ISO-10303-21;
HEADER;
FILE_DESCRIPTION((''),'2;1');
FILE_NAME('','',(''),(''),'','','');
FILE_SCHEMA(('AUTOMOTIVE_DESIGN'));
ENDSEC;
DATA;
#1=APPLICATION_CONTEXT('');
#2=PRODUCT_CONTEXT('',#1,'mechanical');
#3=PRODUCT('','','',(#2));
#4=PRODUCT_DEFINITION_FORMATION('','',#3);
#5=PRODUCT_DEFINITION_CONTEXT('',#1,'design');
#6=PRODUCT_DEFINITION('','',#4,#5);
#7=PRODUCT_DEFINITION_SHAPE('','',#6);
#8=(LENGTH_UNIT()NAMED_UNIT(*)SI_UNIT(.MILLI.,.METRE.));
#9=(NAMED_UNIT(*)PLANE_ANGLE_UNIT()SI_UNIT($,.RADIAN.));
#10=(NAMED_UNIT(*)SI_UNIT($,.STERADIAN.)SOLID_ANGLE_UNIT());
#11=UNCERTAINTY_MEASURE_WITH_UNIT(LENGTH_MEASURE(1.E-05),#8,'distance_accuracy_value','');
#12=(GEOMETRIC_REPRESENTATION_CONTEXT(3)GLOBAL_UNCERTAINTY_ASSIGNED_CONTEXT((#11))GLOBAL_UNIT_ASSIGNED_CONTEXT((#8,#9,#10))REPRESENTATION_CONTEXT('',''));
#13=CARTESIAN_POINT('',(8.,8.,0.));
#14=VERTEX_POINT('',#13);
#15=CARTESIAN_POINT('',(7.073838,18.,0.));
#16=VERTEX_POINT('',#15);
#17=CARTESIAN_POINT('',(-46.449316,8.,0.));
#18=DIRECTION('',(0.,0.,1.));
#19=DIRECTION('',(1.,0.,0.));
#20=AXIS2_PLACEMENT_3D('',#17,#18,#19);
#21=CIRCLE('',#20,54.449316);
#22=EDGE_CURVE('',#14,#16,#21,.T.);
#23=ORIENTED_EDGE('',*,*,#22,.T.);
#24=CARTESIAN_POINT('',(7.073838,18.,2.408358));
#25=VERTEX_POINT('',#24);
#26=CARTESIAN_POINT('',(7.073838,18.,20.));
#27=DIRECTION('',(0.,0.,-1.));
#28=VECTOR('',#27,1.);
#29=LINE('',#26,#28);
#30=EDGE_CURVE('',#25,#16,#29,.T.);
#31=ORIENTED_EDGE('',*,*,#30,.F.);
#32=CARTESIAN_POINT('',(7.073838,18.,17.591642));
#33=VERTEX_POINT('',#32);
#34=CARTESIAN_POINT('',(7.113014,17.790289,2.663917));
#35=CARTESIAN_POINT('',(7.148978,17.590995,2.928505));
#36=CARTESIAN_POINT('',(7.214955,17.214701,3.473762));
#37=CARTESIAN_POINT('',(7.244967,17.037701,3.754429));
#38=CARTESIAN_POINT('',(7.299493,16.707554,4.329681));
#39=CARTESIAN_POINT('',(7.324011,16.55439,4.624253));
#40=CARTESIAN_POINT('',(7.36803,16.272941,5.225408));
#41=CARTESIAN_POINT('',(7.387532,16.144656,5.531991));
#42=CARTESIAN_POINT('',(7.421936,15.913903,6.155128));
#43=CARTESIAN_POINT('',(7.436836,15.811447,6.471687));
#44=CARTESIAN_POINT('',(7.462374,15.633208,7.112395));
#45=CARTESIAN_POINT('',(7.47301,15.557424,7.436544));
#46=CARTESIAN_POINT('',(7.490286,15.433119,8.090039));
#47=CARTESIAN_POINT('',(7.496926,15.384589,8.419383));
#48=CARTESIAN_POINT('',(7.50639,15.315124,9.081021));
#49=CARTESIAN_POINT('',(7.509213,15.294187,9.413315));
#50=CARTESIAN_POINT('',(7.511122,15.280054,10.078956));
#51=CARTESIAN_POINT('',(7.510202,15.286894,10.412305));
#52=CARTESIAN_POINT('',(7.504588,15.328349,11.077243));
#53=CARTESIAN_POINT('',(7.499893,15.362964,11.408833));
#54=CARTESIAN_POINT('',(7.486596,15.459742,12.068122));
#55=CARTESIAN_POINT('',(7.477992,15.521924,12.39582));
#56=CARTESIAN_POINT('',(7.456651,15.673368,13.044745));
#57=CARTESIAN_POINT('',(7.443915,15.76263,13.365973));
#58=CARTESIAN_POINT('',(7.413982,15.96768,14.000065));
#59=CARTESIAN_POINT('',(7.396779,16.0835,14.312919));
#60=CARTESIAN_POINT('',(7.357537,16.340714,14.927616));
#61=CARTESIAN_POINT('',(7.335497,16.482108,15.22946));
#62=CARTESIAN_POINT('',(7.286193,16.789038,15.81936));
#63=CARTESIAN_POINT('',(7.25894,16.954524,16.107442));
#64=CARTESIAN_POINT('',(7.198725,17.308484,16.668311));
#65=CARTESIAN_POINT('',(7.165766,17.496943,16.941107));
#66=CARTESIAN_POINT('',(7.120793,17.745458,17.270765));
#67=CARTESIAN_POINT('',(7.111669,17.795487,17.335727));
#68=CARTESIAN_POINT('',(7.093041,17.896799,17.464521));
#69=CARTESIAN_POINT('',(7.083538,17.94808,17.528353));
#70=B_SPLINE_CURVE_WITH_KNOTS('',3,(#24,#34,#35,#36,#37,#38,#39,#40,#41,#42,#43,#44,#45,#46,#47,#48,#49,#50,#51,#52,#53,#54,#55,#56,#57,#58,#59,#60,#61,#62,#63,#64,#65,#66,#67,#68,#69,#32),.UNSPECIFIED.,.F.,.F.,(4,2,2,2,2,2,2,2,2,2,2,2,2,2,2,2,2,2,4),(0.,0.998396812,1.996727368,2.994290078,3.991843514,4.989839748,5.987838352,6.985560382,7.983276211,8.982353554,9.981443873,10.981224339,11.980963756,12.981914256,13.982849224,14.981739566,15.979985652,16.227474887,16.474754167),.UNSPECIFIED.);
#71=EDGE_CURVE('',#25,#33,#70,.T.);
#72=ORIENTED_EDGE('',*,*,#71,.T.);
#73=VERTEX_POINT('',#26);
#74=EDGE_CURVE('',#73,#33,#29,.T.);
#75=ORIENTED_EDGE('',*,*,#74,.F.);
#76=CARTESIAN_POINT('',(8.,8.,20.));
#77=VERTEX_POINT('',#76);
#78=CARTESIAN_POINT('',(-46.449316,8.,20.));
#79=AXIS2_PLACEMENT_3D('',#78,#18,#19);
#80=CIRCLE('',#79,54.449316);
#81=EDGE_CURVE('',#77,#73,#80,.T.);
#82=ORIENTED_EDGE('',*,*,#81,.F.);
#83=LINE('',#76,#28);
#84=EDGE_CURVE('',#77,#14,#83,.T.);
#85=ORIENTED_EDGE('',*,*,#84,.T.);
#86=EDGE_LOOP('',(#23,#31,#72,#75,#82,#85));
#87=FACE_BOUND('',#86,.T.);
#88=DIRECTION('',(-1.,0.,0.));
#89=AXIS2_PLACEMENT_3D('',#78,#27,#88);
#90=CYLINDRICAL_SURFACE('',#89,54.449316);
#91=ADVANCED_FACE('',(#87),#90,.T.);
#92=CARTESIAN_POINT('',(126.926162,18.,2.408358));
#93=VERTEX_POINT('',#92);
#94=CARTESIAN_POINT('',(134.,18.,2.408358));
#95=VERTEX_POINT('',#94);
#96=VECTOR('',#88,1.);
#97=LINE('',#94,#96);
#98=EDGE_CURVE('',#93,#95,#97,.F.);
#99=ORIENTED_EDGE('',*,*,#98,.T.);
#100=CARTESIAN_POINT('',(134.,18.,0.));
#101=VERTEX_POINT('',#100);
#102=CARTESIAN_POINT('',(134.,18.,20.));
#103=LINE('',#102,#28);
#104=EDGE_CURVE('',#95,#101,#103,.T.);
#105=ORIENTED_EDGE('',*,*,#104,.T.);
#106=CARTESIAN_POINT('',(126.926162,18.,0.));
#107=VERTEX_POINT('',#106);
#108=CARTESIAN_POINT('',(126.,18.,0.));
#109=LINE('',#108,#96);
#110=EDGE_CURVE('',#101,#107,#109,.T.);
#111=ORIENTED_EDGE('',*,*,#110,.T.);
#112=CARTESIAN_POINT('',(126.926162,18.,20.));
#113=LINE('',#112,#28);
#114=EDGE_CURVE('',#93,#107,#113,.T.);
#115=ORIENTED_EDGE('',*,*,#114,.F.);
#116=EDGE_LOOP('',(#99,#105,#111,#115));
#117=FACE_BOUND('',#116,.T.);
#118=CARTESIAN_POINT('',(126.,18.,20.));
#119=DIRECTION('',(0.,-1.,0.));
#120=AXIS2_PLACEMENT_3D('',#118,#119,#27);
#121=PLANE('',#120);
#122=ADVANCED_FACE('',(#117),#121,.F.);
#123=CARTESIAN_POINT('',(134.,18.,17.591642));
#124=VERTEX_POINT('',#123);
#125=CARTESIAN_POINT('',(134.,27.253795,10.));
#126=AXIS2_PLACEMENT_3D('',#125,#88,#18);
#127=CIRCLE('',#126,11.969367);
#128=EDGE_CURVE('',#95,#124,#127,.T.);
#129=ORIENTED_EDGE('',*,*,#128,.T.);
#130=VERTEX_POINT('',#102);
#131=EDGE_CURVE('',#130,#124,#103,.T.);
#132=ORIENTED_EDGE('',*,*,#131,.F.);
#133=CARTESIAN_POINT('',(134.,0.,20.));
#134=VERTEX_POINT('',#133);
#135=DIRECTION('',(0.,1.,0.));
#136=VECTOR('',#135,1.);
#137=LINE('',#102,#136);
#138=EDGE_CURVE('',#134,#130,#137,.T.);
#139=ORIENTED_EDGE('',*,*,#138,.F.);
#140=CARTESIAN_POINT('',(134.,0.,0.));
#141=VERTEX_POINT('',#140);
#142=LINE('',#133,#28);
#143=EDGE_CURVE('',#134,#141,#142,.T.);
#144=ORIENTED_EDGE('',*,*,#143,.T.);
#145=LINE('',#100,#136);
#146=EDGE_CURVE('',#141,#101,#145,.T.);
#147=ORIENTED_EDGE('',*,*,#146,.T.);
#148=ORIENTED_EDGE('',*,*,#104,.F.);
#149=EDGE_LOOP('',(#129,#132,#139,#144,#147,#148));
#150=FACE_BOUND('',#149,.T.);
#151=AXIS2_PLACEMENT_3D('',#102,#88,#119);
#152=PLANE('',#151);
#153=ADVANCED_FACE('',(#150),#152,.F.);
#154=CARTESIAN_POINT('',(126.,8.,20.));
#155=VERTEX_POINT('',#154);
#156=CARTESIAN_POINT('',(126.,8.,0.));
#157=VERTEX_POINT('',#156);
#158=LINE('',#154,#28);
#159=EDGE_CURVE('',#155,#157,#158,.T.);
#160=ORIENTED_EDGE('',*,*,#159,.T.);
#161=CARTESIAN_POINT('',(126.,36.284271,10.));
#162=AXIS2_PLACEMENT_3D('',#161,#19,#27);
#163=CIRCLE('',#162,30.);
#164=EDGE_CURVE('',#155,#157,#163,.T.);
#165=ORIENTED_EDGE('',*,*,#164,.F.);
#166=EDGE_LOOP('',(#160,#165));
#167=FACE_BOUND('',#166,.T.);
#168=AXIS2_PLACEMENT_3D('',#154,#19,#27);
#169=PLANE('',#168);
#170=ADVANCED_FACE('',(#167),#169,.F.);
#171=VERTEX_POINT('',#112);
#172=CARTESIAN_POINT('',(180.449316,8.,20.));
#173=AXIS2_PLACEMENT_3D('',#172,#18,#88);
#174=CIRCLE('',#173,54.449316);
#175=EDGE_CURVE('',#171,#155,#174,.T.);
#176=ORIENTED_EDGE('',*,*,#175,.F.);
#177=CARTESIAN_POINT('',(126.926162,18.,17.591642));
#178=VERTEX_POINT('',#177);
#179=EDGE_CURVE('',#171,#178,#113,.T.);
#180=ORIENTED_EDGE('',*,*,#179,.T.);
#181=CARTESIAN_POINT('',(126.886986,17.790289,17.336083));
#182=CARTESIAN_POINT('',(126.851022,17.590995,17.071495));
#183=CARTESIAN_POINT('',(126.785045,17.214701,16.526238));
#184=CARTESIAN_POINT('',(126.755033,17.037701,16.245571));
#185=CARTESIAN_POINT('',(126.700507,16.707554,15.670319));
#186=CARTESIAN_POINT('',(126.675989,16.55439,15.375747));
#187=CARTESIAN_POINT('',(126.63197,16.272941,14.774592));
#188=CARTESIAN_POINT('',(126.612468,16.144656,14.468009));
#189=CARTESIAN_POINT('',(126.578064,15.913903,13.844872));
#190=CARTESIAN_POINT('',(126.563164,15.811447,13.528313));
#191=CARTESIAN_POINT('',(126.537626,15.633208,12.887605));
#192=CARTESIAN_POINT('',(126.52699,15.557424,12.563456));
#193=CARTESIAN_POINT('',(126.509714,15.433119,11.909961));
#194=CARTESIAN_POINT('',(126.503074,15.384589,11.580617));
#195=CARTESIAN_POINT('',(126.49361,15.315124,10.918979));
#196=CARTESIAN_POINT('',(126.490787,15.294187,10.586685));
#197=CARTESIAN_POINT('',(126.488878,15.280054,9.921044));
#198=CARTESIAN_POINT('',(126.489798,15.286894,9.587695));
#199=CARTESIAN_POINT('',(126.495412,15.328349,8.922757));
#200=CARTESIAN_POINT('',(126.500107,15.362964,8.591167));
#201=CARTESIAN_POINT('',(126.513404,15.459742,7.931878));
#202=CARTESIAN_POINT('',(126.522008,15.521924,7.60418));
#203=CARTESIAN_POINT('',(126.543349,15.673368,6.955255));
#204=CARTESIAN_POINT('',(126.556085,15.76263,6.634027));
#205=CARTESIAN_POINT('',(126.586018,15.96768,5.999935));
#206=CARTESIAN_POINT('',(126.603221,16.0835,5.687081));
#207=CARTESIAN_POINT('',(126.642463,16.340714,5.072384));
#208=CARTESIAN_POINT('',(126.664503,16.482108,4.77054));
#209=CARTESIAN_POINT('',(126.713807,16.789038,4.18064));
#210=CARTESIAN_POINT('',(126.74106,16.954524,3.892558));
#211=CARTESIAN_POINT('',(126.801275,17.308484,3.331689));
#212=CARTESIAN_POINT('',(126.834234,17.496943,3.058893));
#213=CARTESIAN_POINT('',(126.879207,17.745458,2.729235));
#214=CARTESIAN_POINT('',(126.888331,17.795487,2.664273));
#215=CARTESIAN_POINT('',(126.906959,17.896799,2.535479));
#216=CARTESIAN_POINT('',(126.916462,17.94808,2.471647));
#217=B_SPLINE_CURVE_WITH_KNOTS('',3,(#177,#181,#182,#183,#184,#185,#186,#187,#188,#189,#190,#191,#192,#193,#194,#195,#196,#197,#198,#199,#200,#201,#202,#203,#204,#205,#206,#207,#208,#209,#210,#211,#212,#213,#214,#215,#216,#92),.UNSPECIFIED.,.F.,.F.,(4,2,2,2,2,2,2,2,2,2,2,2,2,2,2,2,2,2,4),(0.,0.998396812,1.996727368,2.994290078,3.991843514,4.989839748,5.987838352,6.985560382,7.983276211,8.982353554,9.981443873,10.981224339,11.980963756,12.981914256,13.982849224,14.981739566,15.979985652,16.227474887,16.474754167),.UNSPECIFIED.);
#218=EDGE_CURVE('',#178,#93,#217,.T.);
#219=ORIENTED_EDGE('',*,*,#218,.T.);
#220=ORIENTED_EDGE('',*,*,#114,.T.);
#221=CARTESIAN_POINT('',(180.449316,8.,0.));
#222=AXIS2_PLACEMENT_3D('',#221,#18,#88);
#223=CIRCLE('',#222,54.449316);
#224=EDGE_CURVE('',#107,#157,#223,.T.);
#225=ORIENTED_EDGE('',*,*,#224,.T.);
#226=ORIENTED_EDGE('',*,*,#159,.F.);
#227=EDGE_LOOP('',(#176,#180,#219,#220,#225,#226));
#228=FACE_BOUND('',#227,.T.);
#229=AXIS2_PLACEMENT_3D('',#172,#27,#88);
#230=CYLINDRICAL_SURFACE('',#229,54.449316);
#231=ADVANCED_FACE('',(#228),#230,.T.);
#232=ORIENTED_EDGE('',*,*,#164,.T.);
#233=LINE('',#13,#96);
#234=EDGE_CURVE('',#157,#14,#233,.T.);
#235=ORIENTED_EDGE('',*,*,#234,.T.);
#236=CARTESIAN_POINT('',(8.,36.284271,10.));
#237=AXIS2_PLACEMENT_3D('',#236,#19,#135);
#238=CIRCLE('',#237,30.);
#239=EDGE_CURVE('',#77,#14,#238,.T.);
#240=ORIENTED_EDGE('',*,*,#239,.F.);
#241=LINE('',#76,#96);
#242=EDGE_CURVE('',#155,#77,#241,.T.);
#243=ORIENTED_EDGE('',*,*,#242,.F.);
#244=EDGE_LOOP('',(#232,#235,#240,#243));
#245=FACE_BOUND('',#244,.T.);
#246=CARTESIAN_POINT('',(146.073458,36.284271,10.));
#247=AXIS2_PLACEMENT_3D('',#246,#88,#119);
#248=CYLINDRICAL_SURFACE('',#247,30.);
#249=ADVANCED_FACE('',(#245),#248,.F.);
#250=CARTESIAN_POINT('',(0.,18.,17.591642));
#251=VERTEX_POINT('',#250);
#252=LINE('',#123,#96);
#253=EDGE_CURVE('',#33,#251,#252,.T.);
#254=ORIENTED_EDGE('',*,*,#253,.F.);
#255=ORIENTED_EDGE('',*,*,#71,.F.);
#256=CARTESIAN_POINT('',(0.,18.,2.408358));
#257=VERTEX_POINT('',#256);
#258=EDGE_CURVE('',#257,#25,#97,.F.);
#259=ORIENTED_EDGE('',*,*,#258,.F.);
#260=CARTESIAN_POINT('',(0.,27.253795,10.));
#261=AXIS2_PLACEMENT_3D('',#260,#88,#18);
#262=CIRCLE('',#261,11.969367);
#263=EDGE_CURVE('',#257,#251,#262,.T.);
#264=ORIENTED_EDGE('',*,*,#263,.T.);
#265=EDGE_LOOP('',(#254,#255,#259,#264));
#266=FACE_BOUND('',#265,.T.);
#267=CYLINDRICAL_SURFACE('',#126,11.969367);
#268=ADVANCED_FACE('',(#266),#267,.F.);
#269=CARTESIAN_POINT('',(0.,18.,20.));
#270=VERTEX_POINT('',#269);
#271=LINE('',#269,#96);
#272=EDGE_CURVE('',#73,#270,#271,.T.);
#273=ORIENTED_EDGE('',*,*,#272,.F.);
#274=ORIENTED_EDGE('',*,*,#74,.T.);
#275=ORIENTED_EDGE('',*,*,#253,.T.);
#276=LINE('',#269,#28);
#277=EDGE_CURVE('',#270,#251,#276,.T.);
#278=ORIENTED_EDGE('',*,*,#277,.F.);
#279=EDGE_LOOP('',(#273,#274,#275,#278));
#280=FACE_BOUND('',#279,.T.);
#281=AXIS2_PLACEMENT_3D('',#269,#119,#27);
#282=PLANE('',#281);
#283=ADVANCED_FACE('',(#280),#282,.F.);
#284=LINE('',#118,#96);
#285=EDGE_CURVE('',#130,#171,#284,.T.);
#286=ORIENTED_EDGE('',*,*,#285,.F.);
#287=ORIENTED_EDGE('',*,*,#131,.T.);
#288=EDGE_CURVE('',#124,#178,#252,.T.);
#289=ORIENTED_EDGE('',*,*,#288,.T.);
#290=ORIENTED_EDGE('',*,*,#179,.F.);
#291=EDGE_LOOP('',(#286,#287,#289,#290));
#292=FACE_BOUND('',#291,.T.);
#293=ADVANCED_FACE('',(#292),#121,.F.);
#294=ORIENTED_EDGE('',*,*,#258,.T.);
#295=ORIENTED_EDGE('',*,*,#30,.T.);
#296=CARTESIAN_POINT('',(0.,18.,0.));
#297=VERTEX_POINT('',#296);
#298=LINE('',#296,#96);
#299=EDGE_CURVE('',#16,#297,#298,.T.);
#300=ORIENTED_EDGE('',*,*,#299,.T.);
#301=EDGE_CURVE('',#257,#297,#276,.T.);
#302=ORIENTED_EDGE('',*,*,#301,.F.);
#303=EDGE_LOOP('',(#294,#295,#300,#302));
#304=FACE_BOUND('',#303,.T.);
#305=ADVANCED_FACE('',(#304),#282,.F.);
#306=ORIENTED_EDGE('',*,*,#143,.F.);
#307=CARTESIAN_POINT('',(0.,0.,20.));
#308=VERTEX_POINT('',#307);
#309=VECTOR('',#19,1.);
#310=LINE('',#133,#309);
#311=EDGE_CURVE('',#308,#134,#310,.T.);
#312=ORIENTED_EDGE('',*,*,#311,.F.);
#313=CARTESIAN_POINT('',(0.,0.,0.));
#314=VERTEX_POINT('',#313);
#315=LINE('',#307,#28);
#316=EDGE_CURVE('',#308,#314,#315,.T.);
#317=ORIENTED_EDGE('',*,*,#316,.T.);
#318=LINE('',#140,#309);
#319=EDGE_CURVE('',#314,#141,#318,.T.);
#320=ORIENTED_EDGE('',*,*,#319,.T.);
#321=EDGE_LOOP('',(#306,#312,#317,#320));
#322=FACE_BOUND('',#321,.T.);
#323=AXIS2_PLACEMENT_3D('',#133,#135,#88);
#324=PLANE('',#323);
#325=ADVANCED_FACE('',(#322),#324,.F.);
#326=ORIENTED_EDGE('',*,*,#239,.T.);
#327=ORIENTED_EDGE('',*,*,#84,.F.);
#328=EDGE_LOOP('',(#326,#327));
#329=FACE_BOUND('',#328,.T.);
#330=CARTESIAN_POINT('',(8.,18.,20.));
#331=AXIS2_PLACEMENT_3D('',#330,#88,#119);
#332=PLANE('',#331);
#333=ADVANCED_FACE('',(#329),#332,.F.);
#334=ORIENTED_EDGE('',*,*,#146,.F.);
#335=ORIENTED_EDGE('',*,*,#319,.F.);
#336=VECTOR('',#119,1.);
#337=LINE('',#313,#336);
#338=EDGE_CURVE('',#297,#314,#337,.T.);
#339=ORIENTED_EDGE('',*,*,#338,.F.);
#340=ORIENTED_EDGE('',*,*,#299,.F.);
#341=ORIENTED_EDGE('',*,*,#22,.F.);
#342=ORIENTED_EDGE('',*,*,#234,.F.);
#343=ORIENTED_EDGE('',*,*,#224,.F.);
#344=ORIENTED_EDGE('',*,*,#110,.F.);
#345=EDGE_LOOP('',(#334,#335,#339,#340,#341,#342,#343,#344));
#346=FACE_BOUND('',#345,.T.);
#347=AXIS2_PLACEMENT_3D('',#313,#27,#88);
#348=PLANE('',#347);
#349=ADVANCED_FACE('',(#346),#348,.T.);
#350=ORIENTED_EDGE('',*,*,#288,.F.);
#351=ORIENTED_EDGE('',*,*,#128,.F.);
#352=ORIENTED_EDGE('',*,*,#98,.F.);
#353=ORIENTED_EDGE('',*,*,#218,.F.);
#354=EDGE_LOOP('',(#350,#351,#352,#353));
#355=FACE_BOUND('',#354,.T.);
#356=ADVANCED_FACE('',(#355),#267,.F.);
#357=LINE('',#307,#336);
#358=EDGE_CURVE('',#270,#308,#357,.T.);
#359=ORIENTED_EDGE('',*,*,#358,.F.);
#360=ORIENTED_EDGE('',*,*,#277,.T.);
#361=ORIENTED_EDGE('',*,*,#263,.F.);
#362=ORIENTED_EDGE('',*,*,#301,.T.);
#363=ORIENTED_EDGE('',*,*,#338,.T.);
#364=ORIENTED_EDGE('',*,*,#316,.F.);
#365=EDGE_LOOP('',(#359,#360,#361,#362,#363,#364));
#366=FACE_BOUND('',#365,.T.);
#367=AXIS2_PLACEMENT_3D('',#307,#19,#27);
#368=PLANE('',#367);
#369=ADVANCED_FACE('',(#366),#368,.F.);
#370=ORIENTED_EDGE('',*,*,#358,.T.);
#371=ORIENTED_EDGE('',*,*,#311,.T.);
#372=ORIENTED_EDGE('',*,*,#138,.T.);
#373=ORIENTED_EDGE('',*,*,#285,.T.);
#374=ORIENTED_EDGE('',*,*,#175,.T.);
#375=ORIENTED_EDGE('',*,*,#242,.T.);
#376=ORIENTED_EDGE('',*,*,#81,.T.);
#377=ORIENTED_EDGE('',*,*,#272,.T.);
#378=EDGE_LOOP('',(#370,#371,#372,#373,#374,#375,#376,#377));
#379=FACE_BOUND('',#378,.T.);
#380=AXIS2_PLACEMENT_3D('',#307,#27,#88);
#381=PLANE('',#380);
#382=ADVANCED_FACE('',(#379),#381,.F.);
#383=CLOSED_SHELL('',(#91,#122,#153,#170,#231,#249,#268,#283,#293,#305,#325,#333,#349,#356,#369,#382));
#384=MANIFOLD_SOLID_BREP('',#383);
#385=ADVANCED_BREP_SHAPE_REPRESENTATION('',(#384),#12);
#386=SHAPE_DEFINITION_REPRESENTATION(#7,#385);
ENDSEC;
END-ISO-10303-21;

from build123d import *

# Parameters (mm, degrees)
RESSALTO_EXTRUS_O1_DEPTH = 20
CORTE_EXTRUS_O1_DEPTH    = 118
CORTE_EXTRUS_O2_DEPTH    = 137.674796506
ESBO_O4_R                = 11.969366969
CORTE_EXTRUS_O3_DEPTH    = 137.674796506


with BuildPart() as part:
    # Esboço1 → Ressalto-extrusão1 (new body)
    with BuildSketch(Plane.XY):
        Polygon((0, 0), (0, 18), (8, 18), (8, 8), (126, 8), (126, 18), (134, 18), (134, 0), align=None)
    extrude(amount=RESSALTO_EXTRUS_O1_DEPTH)

    # Esboço2 → Corte-extrusão1 (cut)
    with BuildSketch(Plane(origin=(8, 0, 0), x_dir=(0, 0, -1), z_dir=(1, 0, 0))):
        with BuildLine():
            Line((-20, 8), (0, 8))
            ThreePointArc((0, 8), (-10, 6.284271247), (-20, 8))
        make_face()
    extrude(amount=CORTE_EXTRUS_O1_DEPTH, mode=Mode.SUBTRACT)

    # Esboço3 → Corte-extrusão2 (cut, through all)
    with BuildSketch(Plane(origin=(0, 0, 0), x_dir=(-1, 0, 0), z_dir=(0, 0, -1))):
        with BuildLine():
            Line((-8, 18), (-7.073837994, 18))
            ThreePointArc((-7.073837994, 18), (-7.767965092, 13.021398611), (-8, 8))
            Line((-8, 8), (-8, 18))
        make_face()
        with BuildLine():
            Line((-126, 8), (-126, 18))
            Line((-126, 18), (-126.926162006, 18))
            ThreePointArc((-126.926162006, 18), (-126.232034908, 13.021398611), (-126, 8))
        make_face()
    extrude(amount=-CORTE_EXTRUS_O2_DEPTH, mode=Mode.SUBTRACT)

    # Esboço4 → Corte-extrusão3 (cut, through all)
    with BuildSketch(Plane.ZY):
        with Locations((10, 27.253795072)):
            Circle(ESBO_O4_R)
    extrude(amount=-CORTE_EXTRUS_O3_DEPTH, mode=Mode.SUBTRACT)


solid = part.part
